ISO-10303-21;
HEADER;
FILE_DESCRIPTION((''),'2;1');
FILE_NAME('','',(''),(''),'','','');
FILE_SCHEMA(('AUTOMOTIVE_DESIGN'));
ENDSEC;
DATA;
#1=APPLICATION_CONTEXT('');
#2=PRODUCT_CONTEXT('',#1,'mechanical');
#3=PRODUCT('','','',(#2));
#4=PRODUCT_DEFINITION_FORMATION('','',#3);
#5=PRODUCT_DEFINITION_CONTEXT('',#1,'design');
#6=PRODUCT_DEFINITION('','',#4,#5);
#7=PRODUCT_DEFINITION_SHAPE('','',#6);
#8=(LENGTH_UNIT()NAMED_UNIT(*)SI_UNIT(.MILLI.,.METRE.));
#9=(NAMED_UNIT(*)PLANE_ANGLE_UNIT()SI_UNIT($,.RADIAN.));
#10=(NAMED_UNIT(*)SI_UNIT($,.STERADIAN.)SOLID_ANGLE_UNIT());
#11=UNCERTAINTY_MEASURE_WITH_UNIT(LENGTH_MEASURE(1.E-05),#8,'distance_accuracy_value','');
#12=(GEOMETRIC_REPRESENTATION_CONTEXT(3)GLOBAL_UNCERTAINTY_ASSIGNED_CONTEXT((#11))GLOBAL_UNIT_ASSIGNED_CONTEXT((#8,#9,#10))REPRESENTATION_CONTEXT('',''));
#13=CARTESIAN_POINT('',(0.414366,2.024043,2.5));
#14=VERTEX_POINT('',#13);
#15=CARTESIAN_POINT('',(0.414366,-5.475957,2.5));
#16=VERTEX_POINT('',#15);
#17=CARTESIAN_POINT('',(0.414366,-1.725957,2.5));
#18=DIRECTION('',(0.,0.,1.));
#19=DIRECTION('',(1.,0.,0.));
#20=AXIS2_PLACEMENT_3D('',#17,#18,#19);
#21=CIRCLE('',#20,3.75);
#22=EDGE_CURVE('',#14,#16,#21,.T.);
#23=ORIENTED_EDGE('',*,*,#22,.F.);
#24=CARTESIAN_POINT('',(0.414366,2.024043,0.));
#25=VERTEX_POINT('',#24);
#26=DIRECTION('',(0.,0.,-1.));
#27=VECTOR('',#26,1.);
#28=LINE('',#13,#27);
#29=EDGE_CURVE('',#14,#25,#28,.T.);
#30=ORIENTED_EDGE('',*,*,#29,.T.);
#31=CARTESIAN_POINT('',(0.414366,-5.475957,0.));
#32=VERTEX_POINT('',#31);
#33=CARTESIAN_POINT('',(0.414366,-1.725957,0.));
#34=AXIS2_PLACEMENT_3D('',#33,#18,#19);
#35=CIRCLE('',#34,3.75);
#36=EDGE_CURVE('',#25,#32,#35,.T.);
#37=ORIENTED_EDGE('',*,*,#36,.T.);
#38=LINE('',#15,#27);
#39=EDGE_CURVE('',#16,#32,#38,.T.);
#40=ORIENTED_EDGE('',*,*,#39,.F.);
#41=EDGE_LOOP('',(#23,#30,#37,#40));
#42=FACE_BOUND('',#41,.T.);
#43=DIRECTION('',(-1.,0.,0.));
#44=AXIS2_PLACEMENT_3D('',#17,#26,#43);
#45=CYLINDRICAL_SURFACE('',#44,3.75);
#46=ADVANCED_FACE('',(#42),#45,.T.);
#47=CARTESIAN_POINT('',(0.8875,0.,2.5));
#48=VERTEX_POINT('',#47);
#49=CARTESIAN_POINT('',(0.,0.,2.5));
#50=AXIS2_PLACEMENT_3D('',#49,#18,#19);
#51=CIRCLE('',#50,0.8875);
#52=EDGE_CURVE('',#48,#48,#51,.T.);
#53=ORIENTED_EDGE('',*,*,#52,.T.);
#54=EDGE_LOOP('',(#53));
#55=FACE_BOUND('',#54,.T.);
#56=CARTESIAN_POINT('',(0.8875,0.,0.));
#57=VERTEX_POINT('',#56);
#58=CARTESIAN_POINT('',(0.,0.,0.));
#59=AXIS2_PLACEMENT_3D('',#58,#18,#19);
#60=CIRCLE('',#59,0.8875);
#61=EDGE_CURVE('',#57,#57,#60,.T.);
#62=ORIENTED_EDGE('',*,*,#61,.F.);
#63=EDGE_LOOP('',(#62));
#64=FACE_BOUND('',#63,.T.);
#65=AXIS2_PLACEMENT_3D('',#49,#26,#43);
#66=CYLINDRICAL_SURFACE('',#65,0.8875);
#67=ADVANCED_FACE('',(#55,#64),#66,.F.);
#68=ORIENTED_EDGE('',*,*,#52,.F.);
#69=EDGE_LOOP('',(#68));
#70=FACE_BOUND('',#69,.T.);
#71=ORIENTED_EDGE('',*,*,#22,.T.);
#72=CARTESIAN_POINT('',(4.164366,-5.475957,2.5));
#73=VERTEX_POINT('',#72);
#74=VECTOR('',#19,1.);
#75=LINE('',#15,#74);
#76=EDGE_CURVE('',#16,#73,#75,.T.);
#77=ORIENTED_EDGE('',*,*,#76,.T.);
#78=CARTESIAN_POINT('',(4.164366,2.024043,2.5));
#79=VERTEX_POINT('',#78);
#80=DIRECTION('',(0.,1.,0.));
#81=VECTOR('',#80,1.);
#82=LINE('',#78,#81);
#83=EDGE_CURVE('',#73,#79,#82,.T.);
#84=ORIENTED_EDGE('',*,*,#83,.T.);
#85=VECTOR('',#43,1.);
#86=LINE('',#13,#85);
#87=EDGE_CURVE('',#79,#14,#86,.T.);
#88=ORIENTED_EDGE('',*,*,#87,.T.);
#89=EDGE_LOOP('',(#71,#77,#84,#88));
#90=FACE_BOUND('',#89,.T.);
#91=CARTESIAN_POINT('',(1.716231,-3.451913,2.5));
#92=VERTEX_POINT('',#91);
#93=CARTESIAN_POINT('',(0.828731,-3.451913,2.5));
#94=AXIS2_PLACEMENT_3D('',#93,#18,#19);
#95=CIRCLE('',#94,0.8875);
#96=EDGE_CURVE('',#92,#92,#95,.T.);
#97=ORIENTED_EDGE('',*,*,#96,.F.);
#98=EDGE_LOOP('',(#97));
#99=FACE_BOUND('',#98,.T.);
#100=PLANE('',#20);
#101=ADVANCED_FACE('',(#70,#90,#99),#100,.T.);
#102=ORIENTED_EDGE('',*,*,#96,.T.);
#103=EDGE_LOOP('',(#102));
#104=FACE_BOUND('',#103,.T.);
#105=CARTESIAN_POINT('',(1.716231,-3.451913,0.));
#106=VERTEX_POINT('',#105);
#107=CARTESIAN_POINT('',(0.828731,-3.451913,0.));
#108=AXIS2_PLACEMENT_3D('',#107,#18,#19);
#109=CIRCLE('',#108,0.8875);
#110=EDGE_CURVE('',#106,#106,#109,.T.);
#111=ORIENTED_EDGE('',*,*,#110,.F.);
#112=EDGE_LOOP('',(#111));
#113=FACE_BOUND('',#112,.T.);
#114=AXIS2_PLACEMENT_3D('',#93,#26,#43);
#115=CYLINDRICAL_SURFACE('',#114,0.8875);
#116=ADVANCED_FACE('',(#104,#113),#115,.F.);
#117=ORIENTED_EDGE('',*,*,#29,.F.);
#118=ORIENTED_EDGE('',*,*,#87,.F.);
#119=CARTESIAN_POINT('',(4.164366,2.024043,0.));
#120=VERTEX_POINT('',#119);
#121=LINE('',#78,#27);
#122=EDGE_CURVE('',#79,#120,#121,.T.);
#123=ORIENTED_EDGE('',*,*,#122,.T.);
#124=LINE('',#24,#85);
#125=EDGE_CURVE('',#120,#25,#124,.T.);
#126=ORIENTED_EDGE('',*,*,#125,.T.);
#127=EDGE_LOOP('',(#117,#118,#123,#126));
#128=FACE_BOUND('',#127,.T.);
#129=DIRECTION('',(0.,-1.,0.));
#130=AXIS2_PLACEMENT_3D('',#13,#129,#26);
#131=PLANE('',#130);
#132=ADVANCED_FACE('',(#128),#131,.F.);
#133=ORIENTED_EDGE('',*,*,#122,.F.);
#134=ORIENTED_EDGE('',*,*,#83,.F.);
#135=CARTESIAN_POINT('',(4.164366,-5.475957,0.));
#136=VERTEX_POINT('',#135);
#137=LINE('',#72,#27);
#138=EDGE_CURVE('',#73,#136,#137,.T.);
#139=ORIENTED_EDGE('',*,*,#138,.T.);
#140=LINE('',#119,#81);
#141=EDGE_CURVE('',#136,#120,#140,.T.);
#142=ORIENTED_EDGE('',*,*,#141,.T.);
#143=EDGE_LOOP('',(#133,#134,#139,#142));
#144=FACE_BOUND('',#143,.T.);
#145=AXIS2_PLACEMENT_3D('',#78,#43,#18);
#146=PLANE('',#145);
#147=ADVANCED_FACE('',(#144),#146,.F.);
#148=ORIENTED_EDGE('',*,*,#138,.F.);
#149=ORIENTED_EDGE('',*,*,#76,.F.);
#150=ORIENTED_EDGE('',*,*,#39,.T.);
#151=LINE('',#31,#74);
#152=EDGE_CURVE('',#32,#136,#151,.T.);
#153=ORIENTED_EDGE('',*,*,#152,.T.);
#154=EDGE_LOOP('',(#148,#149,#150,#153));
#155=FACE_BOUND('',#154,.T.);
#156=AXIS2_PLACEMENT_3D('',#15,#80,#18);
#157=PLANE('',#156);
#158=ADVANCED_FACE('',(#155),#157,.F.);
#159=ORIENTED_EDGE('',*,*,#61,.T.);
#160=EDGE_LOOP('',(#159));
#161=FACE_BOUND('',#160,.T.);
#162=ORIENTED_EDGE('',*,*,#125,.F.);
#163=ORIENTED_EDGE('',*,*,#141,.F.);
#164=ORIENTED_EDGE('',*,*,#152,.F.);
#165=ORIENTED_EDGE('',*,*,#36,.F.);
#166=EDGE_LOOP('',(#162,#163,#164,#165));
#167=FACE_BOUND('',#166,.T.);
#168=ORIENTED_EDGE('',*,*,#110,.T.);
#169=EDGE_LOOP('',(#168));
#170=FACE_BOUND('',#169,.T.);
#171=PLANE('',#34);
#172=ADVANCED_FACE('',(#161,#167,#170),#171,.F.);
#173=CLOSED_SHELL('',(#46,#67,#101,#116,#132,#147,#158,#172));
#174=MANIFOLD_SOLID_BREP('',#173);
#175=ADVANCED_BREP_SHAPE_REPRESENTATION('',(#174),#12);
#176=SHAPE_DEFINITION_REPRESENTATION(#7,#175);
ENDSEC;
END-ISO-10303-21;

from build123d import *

# Parameters (mm, degrees)
SKETCH1_R           = 0.8875
BOSS_EXTRUDE1_DEPTH = 2.5


with BuildPart() as part:
    # Sketch1 → Boss-Extrude1 (new body)
    with BuildSketch(Plane.XY):
        with BuildLine():
            Line((0.414365521, 2.024043391), (4.164365521, 2.024043391))
            Line((4.164365521, 2.024043391), (4.164365521, -5.475956609))
            Line((4.164365521, -5.475956609), (0.414365521, -5.475956609))
            ThreePointArc((0.414365521, -5.475956609), (-3.335634479, -1.725956609), (0.414365521, 2.024043391))
        make_face()
        Circle(SKETCH1_R, mode=Mode.SUBTRACT)
        with Locations((0.828731042, -3.451913217)):
            Circle(SKETCH1_R, mode=Mode.SUBTRACT)
    extrude(amount=BOSS_EXTRUDE1_DEPTH)


solid = part.part
